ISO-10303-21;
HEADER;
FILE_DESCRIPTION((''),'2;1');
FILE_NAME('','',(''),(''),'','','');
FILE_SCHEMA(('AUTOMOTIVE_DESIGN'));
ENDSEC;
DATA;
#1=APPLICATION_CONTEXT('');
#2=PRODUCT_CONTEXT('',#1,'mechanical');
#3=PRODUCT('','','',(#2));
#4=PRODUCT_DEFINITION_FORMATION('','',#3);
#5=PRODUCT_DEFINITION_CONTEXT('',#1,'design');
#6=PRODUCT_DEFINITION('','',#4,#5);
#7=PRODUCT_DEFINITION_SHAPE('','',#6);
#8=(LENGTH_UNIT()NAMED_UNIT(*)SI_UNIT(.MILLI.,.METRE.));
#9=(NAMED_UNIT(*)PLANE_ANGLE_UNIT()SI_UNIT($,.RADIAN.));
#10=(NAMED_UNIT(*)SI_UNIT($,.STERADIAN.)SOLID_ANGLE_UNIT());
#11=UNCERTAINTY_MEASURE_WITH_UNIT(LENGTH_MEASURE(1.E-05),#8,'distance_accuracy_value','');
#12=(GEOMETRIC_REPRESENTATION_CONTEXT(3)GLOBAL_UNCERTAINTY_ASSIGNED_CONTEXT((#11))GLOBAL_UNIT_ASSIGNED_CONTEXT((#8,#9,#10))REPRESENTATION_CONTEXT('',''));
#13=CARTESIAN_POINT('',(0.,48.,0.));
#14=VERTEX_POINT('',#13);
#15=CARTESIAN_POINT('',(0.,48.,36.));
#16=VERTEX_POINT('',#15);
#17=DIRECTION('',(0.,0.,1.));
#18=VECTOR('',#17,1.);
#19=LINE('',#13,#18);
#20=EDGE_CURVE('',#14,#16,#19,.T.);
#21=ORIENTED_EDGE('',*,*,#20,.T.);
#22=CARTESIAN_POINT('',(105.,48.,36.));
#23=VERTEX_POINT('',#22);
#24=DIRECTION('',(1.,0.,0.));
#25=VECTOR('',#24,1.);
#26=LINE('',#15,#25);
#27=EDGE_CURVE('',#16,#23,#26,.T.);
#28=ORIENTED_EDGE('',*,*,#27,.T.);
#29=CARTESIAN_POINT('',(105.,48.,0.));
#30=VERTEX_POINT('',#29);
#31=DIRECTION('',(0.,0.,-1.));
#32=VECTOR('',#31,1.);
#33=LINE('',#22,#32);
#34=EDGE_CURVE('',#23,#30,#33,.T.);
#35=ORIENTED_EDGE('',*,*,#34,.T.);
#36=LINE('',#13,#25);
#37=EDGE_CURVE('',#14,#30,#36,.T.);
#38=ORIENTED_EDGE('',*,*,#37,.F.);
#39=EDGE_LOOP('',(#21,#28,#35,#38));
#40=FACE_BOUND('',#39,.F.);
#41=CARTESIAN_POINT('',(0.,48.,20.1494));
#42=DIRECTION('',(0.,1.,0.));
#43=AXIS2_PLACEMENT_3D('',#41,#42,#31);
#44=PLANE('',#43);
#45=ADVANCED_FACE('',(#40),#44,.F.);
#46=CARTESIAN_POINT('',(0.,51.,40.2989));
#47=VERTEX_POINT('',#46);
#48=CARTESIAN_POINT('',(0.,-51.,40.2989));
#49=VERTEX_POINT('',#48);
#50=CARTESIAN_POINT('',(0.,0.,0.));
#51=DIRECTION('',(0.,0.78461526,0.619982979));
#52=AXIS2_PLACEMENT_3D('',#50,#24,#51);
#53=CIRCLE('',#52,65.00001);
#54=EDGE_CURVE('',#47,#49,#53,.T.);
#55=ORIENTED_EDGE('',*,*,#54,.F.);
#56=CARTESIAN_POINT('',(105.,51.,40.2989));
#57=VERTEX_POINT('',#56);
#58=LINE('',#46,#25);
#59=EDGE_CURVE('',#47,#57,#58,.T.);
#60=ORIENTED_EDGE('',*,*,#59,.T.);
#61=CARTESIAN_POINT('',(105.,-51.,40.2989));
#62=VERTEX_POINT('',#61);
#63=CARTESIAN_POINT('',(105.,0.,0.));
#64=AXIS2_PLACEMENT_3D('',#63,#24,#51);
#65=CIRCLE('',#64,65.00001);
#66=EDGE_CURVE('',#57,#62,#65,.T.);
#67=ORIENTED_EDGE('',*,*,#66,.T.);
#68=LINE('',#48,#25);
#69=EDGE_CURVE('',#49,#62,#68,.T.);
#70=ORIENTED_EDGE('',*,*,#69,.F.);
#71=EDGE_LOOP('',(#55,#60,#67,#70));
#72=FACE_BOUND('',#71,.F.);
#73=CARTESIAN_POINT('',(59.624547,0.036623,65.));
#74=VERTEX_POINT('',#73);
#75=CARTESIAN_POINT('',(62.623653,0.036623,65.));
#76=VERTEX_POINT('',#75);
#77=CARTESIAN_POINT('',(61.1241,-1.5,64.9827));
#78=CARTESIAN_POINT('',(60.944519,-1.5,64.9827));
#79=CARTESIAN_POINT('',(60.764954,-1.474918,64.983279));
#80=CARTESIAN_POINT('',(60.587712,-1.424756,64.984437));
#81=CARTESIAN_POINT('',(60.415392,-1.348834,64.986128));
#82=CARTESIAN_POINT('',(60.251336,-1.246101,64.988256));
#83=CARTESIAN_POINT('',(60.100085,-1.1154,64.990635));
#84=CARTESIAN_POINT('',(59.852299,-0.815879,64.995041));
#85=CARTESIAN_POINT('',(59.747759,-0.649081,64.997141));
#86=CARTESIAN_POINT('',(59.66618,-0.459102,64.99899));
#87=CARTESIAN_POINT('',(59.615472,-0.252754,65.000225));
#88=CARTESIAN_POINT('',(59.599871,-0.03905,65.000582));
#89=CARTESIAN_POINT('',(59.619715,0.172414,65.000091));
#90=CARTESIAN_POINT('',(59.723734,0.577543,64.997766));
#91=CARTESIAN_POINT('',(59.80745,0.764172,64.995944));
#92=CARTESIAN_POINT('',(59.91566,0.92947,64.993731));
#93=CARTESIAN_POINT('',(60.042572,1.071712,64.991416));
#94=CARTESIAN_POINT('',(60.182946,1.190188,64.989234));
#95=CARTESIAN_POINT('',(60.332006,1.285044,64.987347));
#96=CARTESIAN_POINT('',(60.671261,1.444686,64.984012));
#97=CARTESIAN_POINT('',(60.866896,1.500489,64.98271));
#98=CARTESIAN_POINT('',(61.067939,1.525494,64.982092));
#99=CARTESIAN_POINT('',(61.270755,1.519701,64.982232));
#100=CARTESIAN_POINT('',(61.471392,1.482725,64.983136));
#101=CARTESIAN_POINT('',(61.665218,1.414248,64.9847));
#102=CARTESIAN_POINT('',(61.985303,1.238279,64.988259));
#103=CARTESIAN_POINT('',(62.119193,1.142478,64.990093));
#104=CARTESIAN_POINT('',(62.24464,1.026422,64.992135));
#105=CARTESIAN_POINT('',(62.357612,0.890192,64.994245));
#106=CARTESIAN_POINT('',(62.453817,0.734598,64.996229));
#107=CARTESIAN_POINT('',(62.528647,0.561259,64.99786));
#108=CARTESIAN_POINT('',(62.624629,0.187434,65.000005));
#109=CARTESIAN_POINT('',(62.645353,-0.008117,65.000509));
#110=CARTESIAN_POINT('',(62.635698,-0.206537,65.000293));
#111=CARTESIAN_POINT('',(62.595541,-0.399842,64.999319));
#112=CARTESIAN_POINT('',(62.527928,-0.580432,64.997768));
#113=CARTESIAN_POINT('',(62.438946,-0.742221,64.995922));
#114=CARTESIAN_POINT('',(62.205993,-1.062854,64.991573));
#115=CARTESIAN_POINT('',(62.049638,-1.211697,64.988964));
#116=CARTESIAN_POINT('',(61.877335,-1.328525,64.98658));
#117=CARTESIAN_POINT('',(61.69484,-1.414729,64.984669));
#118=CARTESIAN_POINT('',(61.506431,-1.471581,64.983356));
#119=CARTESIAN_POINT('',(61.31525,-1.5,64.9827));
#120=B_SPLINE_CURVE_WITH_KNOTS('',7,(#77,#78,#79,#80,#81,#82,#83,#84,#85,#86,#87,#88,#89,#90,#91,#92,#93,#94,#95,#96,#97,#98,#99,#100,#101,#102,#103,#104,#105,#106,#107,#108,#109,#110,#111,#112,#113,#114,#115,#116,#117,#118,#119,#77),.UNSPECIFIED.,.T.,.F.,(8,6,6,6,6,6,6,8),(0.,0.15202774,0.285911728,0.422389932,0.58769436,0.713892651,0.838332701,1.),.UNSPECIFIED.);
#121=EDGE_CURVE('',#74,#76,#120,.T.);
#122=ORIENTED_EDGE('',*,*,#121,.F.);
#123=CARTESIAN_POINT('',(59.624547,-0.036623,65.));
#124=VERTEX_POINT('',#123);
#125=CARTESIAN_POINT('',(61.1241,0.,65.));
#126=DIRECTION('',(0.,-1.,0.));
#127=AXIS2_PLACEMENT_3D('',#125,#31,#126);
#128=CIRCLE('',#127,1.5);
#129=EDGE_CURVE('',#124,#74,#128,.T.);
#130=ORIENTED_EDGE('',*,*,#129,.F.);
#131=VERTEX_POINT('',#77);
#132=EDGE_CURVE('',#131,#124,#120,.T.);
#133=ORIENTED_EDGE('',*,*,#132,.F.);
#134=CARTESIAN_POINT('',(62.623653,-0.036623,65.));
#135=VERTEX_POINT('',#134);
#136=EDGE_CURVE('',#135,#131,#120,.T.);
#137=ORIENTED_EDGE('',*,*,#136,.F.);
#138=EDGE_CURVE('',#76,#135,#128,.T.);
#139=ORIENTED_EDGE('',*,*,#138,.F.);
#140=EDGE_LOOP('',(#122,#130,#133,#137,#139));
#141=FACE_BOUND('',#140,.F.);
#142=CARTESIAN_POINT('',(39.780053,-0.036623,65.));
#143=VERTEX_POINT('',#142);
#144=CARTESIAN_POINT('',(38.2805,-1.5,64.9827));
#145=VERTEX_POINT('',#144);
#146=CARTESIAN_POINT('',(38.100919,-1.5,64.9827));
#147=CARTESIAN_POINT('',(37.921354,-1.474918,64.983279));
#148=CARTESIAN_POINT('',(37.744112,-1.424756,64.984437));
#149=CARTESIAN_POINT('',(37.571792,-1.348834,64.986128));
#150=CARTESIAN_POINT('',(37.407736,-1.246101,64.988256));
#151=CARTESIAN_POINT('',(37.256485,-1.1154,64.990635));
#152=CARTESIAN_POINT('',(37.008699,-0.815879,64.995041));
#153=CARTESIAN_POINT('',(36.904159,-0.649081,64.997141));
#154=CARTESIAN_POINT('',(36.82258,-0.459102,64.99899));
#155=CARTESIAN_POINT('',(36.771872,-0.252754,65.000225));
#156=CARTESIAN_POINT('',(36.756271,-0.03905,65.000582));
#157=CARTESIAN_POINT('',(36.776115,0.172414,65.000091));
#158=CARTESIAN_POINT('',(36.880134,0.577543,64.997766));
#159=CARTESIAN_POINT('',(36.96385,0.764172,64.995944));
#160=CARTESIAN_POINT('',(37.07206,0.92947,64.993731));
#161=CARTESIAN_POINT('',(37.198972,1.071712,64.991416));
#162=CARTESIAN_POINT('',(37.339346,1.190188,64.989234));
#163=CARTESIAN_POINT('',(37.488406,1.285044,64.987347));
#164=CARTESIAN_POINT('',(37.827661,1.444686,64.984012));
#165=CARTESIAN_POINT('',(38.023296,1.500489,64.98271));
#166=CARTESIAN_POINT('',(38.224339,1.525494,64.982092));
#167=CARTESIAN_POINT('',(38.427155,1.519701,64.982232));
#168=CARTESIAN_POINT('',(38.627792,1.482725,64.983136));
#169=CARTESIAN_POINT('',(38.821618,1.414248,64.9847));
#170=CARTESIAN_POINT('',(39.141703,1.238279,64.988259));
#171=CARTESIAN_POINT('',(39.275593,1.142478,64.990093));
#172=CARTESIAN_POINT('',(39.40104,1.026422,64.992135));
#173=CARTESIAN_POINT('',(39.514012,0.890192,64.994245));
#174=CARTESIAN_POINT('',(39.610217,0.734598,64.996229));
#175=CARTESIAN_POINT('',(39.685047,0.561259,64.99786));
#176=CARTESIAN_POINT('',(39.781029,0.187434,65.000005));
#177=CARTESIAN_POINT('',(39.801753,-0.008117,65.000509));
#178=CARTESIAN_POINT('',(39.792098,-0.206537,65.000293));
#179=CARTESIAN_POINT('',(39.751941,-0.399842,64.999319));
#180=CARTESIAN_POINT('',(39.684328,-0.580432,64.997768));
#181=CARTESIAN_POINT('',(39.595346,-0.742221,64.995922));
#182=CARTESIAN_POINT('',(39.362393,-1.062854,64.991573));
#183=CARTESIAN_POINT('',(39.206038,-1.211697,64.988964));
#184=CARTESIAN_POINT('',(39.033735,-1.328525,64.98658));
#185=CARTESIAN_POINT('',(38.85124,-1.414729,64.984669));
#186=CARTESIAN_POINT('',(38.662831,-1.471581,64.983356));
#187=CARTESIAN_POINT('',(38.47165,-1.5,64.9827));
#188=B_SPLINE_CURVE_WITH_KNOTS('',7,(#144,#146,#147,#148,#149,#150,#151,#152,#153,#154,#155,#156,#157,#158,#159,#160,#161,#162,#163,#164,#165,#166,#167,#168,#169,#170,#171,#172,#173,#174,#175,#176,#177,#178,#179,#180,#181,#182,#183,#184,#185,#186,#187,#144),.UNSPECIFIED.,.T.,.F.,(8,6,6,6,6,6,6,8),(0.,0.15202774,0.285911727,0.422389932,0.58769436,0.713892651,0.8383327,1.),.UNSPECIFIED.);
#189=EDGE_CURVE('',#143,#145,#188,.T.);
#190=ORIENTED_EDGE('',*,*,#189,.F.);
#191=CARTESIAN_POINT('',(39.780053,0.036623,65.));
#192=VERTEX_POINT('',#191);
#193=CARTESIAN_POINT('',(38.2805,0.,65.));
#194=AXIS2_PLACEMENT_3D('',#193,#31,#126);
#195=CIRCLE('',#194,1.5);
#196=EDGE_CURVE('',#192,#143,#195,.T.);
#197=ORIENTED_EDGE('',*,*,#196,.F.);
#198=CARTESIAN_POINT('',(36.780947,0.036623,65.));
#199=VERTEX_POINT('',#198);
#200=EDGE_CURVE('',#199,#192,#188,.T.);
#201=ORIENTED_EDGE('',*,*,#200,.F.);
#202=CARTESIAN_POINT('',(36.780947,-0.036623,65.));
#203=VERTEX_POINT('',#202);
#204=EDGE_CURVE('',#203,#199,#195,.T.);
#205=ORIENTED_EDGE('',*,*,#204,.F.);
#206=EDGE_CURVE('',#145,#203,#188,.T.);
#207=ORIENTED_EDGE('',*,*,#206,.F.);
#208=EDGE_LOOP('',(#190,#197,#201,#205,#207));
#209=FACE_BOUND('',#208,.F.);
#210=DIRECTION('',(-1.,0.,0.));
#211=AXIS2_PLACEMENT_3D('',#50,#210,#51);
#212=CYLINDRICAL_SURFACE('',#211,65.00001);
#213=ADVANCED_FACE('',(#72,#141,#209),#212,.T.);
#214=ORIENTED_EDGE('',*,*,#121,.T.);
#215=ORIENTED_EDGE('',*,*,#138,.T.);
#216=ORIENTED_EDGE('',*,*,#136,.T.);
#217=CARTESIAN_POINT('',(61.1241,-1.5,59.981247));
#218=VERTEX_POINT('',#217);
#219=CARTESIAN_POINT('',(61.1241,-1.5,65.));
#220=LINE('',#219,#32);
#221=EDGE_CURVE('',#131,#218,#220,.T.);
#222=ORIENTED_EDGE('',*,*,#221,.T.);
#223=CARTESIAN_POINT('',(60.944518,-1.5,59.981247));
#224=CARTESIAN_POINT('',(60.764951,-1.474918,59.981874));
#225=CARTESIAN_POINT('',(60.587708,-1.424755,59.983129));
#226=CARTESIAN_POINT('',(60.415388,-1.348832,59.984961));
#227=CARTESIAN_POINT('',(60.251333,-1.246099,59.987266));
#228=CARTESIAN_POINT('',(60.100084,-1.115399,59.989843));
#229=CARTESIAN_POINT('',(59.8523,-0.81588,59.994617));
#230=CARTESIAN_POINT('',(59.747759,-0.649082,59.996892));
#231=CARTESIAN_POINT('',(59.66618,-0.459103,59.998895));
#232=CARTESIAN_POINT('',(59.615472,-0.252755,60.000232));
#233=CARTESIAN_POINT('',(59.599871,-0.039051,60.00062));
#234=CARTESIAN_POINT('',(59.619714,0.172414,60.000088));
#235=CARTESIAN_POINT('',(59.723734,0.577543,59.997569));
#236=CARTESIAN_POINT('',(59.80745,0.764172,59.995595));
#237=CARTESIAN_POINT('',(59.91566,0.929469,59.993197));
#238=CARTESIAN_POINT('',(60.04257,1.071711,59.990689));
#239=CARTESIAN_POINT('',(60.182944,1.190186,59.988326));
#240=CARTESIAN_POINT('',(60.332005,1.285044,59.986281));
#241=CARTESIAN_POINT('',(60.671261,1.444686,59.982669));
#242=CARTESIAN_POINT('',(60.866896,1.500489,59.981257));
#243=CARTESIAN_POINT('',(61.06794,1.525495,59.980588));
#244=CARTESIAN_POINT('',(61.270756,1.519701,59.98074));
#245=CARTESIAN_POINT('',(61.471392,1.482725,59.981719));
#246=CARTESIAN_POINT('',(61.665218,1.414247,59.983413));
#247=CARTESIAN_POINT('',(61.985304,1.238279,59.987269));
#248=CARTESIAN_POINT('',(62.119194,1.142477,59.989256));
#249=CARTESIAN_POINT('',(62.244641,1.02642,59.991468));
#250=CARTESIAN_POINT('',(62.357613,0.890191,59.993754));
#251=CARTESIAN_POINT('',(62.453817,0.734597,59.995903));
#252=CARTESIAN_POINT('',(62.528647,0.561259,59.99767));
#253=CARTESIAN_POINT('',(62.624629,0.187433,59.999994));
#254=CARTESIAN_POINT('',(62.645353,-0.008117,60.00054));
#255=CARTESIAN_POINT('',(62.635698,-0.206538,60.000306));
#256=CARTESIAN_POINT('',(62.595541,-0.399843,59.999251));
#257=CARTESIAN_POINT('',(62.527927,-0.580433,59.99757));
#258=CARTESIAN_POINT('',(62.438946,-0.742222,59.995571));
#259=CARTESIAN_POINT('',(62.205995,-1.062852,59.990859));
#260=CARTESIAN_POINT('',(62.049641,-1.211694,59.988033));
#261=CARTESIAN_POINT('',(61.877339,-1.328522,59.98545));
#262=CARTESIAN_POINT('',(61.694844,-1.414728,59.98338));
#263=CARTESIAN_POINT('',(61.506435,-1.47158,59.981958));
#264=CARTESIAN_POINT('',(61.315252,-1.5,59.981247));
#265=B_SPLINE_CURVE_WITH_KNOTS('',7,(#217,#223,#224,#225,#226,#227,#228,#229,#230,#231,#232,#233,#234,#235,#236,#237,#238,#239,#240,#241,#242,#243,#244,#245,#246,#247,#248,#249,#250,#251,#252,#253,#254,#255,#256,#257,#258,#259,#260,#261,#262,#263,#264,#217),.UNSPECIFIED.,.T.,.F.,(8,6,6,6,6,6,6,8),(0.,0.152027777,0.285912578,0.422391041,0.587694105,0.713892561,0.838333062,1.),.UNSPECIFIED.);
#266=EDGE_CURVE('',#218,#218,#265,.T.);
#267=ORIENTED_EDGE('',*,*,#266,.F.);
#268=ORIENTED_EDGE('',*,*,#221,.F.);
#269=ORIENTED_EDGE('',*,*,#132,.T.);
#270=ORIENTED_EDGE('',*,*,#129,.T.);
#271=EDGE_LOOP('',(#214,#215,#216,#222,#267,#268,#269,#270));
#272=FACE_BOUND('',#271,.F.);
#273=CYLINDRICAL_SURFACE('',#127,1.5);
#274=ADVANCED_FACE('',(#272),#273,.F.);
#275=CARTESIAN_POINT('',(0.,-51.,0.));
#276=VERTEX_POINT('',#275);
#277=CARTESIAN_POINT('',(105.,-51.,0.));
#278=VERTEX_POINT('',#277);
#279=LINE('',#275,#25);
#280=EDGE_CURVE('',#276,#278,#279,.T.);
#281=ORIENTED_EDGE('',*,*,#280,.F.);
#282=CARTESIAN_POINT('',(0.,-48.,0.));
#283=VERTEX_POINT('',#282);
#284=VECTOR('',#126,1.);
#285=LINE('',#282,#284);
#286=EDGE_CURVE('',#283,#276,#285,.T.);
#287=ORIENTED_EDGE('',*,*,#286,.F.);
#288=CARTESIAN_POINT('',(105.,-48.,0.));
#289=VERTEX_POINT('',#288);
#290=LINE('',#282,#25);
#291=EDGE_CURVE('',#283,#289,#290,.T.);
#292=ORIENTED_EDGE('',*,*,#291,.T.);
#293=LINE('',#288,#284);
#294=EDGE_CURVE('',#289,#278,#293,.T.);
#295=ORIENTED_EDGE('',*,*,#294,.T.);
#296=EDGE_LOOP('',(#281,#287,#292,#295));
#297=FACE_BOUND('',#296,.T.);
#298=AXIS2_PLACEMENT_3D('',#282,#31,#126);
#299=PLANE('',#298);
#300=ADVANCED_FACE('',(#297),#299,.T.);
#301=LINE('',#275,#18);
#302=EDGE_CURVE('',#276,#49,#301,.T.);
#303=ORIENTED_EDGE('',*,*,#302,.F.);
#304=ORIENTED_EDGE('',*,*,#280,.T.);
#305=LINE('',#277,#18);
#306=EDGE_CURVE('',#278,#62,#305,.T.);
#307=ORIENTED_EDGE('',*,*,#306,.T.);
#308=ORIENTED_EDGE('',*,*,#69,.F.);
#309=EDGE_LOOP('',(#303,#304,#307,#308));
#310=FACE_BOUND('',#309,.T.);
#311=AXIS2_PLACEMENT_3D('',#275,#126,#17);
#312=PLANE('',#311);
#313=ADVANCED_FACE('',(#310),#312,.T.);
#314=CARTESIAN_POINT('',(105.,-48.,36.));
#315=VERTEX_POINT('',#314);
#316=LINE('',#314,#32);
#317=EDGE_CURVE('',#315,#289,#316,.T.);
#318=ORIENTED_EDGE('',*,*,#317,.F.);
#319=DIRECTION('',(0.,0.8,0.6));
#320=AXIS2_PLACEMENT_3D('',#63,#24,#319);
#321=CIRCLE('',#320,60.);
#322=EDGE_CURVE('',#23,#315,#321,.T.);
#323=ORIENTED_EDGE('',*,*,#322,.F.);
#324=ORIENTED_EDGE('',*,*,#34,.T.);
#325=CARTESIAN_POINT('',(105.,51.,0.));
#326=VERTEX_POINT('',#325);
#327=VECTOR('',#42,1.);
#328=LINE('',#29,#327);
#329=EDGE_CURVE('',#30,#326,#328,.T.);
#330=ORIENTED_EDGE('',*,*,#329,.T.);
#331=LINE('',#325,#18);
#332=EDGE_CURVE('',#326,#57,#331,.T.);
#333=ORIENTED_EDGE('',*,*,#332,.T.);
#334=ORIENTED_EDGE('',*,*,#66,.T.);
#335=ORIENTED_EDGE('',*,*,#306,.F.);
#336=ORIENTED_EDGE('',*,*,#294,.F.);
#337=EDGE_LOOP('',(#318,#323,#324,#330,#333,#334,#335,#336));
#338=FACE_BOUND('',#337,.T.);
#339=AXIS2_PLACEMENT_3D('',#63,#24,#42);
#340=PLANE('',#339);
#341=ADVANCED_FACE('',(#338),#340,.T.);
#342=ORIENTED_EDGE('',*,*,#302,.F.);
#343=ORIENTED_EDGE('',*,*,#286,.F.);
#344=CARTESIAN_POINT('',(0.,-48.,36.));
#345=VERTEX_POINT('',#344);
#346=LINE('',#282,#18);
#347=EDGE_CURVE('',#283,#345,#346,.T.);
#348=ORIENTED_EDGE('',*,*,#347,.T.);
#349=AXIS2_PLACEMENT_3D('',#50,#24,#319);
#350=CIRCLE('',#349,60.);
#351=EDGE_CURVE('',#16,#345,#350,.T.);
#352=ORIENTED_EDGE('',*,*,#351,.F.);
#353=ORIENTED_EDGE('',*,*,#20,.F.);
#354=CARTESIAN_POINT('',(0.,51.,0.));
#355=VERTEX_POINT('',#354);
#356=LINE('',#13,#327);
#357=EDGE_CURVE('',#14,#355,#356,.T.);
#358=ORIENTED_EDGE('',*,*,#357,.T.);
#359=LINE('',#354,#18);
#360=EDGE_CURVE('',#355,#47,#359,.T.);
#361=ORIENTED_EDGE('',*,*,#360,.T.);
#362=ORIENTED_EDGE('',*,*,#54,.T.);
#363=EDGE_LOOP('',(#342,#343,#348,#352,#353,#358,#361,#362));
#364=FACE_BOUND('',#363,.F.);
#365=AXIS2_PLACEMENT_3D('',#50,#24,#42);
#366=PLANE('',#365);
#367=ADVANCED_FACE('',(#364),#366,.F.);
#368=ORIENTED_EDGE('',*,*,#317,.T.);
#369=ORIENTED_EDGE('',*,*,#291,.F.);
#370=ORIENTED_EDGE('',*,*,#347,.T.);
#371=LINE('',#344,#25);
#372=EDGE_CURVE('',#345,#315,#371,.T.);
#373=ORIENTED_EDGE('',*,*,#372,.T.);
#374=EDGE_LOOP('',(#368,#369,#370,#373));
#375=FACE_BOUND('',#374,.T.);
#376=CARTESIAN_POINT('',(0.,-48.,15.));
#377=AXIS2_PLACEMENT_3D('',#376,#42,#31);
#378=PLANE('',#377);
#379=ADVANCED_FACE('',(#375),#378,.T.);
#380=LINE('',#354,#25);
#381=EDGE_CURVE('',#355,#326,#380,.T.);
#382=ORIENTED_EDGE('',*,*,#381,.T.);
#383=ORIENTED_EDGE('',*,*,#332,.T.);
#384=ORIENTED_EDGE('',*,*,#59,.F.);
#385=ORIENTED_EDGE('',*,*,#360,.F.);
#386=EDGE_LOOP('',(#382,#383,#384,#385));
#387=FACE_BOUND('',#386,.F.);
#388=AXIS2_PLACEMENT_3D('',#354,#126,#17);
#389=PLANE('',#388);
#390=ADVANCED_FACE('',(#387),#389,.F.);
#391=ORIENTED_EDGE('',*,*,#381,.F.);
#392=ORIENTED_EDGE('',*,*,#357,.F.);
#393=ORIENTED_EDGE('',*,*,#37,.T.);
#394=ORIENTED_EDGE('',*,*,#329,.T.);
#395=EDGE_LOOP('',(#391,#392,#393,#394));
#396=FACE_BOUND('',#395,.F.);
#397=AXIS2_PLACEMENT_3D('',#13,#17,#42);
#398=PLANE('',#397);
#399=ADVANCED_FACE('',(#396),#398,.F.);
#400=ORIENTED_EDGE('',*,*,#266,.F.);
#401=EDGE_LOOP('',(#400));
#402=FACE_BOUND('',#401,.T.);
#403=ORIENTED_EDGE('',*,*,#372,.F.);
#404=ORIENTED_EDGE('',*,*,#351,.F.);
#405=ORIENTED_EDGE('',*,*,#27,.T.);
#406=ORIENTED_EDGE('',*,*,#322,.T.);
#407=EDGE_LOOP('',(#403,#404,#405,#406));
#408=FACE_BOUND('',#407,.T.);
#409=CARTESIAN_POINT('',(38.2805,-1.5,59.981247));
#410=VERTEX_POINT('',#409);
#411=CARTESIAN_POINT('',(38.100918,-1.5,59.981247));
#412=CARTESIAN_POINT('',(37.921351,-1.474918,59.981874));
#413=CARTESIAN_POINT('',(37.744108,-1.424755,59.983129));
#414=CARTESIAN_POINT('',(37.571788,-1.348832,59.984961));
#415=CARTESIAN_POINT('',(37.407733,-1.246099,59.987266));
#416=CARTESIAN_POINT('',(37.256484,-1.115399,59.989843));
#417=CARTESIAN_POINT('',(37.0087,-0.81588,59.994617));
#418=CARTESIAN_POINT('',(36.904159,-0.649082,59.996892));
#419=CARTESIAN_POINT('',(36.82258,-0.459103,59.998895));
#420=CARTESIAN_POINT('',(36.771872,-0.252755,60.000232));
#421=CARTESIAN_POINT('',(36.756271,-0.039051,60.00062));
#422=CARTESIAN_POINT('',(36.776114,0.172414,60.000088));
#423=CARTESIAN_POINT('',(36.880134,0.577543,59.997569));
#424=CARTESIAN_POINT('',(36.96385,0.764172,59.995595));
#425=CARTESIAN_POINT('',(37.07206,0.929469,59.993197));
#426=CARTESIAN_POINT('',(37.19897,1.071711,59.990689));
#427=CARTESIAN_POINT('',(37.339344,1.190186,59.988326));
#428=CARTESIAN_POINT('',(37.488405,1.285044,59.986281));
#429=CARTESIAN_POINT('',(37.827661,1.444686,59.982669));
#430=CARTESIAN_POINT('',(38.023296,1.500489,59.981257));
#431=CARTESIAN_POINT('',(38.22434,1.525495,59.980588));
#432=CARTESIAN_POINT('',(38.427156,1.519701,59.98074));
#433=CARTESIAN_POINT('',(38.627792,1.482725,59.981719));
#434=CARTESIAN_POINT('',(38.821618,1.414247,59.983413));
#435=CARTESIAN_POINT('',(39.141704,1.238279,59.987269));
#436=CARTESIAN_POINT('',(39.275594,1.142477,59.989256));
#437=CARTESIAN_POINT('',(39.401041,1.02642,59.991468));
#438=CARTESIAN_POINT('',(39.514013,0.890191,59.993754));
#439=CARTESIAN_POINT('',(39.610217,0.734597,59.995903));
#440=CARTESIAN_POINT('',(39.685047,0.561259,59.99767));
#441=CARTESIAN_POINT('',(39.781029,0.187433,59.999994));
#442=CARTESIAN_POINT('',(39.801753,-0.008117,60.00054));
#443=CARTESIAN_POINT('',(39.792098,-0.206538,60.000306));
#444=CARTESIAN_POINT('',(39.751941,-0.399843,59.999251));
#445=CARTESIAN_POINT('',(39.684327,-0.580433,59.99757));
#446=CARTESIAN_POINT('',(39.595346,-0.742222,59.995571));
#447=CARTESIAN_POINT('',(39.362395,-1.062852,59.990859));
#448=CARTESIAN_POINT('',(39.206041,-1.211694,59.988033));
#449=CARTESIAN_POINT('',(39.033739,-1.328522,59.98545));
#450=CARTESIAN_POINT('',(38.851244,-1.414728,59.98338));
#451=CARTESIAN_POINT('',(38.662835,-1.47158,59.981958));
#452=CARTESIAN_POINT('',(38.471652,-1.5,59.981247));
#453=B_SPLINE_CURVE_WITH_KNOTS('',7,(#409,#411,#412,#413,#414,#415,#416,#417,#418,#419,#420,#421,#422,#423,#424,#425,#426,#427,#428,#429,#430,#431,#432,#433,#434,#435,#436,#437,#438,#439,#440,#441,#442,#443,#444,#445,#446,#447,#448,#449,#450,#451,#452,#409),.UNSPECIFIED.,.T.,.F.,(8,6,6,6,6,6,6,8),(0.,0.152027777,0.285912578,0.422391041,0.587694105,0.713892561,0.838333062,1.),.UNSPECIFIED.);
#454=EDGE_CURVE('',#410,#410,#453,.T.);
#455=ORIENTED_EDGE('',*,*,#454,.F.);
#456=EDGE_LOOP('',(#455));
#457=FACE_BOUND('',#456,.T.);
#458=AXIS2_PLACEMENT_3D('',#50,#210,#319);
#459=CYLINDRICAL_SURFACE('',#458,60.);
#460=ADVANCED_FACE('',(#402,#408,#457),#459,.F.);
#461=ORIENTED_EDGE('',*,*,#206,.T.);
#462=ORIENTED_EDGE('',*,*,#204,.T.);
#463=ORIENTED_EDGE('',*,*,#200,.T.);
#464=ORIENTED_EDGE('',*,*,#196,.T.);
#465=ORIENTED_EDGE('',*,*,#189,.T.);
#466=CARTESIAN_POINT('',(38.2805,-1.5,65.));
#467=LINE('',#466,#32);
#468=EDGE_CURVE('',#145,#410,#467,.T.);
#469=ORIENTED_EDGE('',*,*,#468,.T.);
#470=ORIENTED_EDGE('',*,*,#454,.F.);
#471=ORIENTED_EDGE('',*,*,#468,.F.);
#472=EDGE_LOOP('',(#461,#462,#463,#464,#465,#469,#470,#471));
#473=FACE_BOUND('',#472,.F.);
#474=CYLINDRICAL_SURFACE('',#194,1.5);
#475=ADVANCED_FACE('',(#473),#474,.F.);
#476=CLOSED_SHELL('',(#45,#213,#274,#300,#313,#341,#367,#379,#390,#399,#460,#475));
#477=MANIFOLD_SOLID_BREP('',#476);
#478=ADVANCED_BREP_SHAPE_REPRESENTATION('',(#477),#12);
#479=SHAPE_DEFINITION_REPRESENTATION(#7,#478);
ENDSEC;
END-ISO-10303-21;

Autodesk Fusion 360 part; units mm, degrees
sketch "Sketch1" plane through (0, 0, 0) normal (1, 0, 0) x (0, 1, 0)
  line L0 (-48, 0) -> (-51, 0)
  line L1 (-48, 0) -> (-51, 0)
  line L2 (48, 0) -> (51, 0)
  line L3 (-51, 0) -> (-51, 40.2989)
  line L4 (51, 0) -> (51, 40.2989)
  arc A0 (48, 36) -> (-48, 36) centre (0, 0) ccw
  arc A1 (51, 40.2989) -> (-51, 40.2989) centre (0, 0) ccw
  line L5 (-51, 0) -> (-48, 0)
  line L6 (-48, 15) -> (-48, 36)
  line L7 (-48, 15) -> (-48, 0)
  line L8 (48, 20.1494) -> (48, 36)
  line L9 (48, 20.1494) -> (48, 0)
  dimension "d1" = 51
  dimension "d2" = 51
  dimension "d3" = 130
extrude "Extrude1" add sketch "Sketch1" along normal blind 105
hole "Hole1" at (61.1241, 0, 65) direction (0, 0, -1) diameter 3 depth 10 tip angle 118
hole "Hole2" at (38.2805, 0, 65) direction (0, 0, -1) diameter 3 depth 10 tip angle 118
